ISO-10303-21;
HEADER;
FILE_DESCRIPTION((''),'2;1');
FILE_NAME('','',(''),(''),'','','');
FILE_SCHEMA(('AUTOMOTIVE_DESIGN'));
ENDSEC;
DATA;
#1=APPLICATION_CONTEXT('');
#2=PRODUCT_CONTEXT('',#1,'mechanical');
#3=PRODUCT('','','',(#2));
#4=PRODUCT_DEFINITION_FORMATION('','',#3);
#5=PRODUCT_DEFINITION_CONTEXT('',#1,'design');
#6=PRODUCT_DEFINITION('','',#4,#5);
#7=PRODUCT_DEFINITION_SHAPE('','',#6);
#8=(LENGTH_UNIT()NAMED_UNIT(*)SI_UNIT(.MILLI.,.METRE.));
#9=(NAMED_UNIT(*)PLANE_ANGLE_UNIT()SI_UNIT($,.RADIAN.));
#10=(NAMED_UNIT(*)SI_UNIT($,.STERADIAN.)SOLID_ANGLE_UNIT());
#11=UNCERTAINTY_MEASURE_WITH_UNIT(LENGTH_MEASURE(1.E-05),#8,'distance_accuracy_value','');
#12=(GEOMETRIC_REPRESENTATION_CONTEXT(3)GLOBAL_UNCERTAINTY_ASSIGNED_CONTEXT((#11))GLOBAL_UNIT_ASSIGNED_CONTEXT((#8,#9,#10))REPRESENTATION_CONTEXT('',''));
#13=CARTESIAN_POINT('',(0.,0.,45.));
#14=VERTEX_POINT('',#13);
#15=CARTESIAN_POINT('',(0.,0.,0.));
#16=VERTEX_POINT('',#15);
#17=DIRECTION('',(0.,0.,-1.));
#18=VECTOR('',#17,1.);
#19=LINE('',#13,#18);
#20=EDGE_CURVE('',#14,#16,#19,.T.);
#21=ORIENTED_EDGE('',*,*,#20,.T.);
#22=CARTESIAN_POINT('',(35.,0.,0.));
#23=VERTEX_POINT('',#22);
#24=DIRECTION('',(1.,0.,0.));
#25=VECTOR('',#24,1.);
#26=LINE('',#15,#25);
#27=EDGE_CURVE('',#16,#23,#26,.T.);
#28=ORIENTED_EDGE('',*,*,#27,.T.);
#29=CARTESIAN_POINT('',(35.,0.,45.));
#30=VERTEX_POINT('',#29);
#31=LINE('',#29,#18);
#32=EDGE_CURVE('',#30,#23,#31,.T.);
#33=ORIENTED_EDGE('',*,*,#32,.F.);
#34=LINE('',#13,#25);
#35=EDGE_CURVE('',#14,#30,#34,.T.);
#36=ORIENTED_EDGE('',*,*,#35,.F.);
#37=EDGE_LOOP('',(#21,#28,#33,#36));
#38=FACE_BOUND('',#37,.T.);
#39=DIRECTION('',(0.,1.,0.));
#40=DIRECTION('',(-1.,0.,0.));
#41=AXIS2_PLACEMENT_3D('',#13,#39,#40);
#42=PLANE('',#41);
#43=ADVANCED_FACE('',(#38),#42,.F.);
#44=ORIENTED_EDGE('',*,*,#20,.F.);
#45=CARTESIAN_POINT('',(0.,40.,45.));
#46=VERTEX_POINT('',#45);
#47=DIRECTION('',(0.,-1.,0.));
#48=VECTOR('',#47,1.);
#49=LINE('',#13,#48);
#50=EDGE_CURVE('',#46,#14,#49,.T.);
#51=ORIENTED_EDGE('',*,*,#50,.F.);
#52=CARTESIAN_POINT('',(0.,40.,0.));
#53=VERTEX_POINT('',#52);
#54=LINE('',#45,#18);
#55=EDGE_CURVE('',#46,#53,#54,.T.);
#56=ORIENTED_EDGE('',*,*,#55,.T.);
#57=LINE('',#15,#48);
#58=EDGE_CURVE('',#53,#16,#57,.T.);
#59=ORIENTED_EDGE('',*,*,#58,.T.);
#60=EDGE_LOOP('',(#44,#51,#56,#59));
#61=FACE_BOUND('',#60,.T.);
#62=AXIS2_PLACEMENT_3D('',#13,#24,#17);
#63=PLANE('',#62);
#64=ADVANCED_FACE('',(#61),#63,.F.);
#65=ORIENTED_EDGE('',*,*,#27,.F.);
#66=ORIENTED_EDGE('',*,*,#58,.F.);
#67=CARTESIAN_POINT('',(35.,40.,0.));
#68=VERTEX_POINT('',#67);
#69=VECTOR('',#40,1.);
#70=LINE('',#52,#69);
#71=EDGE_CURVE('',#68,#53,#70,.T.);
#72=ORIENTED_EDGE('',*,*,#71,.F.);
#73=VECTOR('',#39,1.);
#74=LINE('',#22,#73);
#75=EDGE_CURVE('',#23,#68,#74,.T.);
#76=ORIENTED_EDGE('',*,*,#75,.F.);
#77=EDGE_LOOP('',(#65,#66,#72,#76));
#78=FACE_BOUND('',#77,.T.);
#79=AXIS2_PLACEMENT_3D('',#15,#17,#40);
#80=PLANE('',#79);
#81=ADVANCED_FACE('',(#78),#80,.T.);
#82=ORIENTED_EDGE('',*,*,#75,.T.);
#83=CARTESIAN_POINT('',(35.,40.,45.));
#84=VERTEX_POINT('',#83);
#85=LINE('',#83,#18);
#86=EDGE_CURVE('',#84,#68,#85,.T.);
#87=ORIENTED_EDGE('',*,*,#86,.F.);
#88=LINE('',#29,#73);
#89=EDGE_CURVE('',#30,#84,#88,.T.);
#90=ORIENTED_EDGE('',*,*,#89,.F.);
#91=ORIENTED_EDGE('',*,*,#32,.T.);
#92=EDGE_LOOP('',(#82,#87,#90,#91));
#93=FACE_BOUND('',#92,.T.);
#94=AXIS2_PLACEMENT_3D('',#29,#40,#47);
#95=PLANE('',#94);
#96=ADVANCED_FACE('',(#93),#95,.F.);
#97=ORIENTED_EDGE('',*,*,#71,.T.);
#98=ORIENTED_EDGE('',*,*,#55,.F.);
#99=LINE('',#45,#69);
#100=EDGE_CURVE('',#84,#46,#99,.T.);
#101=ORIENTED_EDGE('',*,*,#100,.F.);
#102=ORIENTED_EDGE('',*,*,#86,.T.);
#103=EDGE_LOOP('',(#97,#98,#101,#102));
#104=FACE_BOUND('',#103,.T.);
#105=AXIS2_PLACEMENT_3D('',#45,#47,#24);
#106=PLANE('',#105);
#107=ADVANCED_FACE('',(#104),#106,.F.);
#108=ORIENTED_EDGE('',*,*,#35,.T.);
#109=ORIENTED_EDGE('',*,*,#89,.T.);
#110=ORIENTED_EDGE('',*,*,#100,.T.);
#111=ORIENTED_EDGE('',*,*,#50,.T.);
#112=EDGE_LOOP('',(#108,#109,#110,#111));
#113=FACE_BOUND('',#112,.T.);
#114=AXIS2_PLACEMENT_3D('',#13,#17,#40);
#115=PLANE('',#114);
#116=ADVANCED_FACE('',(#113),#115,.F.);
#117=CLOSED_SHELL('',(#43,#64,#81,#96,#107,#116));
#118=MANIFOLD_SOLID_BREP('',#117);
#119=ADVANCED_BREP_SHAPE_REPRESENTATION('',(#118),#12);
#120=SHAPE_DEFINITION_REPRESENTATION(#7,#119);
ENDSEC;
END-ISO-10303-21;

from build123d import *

# Parameters (mm, degrees)
SCHIZZO1_W                   = 35
SCHIZZO1_H                   = 40
ESTRUSIONE_ESTRUSIONE1_DEPTH = 45


with BuildPart() as part:
    # Schizzo1 → Estrusione-Estrusione1 (new body)
    with BuildSketch(Plane.XY):
        with Locations((17.5, 20)):
            Rectangle(SCHIZZO1_W, SCHIZZO1_H)
    extrude(amount=ESTRUSIONE_ESTRUSIONE1_DEPTH)


solid = part.part
